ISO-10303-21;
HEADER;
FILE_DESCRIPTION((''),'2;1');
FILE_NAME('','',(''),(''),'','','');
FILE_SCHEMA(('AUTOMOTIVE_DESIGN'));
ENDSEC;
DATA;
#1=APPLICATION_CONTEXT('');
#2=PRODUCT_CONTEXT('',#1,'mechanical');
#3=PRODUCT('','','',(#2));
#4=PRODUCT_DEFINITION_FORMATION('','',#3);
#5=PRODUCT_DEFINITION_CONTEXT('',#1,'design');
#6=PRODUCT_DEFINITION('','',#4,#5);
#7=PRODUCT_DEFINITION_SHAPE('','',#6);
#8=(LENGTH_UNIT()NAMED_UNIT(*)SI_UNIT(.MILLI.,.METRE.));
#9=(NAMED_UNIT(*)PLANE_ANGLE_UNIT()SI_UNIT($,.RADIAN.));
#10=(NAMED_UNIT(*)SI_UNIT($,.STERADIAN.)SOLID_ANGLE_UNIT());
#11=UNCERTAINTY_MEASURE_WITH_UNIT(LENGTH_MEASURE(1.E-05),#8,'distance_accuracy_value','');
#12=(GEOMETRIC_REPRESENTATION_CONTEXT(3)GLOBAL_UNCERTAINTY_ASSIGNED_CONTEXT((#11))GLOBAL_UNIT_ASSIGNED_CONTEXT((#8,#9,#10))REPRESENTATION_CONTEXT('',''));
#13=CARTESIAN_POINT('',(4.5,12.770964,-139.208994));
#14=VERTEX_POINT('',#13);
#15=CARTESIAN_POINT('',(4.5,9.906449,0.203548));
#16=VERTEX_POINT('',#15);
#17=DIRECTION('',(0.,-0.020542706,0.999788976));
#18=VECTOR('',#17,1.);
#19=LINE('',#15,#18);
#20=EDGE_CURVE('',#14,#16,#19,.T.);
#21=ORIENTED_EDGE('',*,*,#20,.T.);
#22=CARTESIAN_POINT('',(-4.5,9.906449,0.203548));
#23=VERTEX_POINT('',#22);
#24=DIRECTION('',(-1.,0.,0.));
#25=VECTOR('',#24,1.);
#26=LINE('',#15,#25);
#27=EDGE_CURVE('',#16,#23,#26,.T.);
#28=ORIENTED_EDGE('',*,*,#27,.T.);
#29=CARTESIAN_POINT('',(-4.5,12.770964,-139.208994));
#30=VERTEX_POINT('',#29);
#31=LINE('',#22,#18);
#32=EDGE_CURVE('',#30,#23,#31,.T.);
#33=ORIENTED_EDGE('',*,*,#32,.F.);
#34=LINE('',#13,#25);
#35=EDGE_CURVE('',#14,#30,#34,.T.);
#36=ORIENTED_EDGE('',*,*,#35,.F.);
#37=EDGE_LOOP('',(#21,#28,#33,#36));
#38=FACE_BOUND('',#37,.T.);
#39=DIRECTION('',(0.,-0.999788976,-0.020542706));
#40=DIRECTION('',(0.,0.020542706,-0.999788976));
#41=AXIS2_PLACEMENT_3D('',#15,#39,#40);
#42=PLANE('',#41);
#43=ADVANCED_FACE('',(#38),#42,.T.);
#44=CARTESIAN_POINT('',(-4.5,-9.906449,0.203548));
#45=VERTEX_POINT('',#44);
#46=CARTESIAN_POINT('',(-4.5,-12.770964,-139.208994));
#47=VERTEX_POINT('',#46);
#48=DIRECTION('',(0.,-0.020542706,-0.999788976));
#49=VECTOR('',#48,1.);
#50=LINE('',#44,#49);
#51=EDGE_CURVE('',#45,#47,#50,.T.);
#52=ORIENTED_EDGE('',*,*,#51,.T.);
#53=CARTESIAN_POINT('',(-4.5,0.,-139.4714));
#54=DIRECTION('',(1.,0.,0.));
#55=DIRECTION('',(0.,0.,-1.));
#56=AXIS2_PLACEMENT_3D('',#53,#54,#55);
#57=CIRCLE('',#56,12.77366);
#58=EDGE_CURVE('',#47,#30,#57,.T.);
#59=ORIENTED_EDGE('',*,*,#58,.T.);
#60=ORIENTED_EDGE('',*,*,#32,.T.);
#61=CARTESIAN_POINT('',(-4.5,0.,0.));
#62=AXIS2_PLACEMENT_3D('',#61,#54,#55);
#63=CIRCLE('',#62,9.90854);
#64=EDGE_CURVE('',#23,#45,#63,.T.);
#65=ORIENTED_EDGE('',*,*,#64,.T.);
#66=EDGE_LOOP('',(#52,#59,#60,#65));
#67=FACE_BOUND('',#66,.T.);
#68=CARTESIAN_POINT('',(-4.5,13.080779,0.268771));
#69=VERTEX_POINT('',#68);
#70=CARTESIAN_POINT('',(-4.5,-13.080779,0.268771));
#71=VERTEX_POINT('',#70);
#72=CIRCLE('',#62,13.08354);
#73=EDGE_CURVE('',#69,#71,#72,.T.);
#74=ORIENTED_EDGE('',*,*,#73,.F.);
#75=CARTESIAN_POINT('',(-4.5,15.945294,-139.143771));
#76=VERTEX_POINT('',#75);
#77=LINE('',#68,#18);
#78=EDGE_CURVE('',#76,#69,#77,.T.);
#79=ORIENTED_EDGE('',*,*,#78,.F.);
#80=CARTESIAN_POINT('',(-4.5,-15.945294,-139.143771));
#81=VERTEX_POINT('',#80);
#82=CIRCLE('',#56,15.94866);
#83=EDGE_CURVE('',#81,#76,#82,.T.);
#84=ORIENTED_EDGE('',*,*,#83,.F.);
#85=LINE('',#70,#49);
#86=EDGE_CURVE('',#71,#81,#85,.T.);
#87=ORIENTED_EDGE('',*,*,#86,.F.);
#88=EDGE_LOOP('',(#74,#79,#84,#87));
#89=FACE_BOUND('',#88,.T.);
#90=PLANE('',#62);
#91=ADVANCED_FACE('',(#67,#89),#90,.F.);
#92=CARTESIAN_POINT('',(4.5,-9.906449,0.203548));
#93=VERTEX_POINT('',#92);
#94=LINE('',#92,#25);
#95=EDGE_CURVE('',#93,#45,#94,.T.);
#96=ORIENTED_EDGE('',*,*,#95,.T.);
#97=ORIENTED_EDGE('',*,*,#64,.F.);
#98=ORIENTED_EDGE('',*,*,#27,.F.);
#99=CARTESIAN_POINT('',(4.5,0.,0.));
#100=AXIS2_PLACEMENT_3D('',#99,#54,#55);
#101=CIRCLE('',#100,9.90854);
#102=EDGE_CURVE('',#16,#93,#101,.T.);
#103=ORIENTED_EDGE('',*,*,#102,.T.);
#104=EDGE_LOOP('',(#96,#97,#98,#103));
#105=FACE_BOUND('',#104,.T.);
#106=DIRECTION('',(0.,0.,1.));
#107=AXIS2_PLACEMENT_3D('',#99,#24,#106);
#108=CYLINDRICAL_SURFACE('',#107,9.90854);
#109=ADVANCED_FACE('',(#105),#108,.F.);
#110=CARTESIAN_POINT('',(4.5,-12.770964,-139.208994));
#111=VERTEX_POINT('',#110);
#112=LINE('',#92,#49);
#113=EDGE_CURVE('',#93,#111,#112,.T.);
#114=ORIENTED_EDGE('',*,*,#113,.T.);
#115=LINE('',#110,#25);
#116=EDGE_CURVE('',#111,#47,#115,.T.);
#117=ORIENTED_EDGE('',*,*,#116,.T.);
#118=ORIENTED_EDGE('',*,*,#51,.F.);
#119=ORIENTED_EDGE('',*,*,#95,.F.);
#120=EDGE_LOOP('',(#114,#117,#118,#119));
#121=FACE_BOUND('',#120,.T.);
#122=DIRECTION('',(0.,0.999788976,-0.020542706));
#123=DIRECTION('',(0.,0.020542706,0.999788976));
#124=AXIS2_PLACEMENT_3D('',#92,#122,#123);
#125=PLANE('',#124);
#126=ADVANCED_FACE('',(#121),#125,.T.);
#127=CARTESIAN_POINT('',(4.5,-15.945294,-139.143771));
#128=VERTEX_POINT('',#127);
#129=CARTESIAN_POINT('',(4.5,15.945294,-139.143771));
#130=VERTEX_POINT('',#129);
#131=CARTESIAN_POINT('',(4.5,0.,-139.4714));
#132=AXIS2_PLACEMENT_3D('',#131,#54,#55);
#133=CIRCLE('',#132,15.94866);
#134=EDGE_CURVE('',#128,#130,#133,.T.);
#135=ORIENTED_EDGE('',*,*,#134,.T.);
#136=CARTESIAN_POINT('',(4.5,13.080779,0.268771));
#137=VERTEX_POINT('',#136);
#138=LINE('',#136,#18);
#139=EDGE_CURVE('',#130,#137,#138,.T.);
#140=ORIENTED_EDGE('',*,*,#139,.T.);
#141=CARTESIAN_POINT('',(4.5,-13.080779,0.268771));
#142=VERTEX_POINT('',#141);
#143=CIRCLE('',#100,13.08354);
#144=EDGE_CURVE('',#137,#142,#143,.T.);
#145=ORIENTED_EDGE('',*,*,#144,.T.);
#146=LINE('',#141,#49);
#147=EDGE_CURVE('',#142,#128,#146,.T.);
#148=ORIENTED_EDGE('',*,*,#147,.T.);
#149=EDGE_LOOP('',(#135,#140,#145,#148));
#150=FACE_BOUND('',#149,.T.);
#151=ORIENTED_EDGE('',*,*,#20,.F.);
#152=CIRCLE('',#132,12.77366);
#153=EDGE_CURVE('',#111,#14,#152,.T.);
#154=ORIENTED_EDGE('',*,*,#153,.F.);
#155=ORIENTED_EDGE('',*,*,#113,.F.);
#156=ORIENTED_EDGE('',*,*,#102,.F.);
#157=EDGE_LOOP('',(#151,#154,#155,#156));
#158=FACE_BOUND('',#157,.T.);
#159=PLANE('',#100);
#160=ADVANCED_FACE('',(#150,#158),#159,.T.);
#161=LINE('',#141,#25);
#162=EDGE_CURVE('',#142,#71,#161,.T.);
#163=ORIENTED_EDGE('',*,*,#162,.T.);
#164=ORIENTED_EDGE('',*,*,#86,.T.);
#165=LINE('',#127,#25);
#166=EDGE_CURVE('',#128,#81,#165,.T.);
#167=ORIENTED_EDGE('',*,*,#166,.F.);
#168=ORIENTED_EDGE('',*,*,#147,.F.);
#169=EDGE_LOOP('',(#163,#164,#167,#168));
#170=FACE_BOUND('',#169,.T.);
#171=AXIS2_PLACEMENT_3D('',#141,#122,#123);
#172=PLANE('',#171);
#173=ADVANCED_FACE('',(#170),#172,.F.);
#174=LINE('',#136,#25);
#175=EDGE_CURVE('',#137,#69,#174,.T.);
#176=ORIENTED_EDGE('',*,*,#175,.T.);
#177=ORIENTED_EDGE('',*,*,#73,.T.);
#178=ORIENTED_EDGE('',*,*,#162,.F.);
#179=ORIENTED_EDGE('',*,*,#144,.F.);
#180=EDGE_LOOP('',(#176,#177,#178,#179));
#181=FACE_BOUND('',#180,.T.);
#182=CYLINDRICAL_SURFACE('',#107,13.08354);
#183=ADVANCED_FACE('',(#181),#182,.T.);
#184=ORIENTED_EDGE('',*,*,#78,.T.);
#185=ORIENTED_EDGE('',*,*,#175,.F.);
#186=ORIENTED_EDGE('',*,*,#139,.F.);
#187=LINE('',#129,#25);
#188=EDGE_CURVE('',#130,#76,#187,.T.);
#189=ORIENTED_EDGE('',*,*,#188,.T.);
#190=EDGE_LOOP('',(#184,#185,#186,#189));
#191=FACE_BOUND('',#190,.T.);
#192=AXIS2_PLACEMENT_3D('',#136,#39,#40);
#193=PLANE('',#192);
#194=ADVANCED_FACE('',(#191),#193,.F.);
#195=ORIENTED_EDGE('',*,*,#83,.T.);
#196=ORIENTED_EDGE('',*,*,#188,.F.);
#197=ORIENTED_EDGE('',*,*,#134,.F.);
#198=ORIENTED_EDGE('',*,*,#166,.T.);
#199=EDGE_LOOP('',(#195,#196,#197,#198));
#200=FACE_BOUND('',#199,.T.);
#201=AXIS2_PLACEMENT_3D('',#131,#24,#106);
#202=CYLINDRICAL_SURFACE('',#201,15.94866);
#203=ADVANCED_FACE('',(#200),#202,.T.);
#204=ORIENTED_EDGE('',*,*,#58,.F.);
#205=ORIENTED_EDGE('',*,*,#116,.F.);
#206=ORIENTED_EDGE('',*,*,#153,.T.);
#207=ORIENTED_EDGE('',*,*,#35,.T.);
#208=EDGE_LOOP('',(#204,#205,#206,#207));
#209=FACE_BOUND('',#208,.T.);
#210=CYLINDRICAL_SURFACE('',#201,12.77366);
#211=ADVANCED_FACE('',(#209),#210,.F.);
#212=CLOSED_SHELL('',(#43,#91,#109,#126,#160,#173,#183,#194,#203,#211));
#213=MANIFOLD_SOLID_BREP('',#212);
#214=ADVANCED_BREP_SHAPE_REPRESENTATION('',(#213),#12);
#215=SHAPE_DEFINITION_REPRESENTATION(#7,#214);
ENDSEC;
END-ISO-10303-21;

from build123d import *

# Parameters (mm, degrees)
BOSS_EXTRUDE1_DEPTH = 4.5


with BuildPart() as part:
    # Sketch1 → Boss-Extrude1 (new body, symmetric)
    with BuildSketch(Plane(origin=(0, 0, 0), x_dir=(0, 0, -1), z_dir=(1, 0, 0))):
        with BuildLine():
            Line((-0.268771319, 13.080779064), (139.143771363, 15.945294455))
            ThreePointArc((139.143771363, 15.945294455), (155.42006, 0), (139.143771363, -15.945294455))
            Line((139.143771363, -15.945294455), (-0.268771319, -13.080779064))
            ThreePointArc((-0.268771319, -13.080779064), (-13.08354, 0), (-0.268771319, 13.080779064))
        make_face()
        with BuildLine():
            Line((-0.203548227, 9.906449064), (139.208994455, 12.770964456))
            ThreePointArc((139.208994455, 12.770964456), (152.24506, 0), (139.208994455, -12.770964456))
            Line((139.208994455, -12.770964456), (-0.203548227, -9.906449064))
            ThreePointArc((-0.203548227, -9.906449064), (-9.90854, 0), (-0.203548227, 9.906449064))
        make_face(mode=Mode.SUBTRACT)
    extrude(amount=BOSS_EXTRUDE1_DEPTH, both=True)


solid = part.part
